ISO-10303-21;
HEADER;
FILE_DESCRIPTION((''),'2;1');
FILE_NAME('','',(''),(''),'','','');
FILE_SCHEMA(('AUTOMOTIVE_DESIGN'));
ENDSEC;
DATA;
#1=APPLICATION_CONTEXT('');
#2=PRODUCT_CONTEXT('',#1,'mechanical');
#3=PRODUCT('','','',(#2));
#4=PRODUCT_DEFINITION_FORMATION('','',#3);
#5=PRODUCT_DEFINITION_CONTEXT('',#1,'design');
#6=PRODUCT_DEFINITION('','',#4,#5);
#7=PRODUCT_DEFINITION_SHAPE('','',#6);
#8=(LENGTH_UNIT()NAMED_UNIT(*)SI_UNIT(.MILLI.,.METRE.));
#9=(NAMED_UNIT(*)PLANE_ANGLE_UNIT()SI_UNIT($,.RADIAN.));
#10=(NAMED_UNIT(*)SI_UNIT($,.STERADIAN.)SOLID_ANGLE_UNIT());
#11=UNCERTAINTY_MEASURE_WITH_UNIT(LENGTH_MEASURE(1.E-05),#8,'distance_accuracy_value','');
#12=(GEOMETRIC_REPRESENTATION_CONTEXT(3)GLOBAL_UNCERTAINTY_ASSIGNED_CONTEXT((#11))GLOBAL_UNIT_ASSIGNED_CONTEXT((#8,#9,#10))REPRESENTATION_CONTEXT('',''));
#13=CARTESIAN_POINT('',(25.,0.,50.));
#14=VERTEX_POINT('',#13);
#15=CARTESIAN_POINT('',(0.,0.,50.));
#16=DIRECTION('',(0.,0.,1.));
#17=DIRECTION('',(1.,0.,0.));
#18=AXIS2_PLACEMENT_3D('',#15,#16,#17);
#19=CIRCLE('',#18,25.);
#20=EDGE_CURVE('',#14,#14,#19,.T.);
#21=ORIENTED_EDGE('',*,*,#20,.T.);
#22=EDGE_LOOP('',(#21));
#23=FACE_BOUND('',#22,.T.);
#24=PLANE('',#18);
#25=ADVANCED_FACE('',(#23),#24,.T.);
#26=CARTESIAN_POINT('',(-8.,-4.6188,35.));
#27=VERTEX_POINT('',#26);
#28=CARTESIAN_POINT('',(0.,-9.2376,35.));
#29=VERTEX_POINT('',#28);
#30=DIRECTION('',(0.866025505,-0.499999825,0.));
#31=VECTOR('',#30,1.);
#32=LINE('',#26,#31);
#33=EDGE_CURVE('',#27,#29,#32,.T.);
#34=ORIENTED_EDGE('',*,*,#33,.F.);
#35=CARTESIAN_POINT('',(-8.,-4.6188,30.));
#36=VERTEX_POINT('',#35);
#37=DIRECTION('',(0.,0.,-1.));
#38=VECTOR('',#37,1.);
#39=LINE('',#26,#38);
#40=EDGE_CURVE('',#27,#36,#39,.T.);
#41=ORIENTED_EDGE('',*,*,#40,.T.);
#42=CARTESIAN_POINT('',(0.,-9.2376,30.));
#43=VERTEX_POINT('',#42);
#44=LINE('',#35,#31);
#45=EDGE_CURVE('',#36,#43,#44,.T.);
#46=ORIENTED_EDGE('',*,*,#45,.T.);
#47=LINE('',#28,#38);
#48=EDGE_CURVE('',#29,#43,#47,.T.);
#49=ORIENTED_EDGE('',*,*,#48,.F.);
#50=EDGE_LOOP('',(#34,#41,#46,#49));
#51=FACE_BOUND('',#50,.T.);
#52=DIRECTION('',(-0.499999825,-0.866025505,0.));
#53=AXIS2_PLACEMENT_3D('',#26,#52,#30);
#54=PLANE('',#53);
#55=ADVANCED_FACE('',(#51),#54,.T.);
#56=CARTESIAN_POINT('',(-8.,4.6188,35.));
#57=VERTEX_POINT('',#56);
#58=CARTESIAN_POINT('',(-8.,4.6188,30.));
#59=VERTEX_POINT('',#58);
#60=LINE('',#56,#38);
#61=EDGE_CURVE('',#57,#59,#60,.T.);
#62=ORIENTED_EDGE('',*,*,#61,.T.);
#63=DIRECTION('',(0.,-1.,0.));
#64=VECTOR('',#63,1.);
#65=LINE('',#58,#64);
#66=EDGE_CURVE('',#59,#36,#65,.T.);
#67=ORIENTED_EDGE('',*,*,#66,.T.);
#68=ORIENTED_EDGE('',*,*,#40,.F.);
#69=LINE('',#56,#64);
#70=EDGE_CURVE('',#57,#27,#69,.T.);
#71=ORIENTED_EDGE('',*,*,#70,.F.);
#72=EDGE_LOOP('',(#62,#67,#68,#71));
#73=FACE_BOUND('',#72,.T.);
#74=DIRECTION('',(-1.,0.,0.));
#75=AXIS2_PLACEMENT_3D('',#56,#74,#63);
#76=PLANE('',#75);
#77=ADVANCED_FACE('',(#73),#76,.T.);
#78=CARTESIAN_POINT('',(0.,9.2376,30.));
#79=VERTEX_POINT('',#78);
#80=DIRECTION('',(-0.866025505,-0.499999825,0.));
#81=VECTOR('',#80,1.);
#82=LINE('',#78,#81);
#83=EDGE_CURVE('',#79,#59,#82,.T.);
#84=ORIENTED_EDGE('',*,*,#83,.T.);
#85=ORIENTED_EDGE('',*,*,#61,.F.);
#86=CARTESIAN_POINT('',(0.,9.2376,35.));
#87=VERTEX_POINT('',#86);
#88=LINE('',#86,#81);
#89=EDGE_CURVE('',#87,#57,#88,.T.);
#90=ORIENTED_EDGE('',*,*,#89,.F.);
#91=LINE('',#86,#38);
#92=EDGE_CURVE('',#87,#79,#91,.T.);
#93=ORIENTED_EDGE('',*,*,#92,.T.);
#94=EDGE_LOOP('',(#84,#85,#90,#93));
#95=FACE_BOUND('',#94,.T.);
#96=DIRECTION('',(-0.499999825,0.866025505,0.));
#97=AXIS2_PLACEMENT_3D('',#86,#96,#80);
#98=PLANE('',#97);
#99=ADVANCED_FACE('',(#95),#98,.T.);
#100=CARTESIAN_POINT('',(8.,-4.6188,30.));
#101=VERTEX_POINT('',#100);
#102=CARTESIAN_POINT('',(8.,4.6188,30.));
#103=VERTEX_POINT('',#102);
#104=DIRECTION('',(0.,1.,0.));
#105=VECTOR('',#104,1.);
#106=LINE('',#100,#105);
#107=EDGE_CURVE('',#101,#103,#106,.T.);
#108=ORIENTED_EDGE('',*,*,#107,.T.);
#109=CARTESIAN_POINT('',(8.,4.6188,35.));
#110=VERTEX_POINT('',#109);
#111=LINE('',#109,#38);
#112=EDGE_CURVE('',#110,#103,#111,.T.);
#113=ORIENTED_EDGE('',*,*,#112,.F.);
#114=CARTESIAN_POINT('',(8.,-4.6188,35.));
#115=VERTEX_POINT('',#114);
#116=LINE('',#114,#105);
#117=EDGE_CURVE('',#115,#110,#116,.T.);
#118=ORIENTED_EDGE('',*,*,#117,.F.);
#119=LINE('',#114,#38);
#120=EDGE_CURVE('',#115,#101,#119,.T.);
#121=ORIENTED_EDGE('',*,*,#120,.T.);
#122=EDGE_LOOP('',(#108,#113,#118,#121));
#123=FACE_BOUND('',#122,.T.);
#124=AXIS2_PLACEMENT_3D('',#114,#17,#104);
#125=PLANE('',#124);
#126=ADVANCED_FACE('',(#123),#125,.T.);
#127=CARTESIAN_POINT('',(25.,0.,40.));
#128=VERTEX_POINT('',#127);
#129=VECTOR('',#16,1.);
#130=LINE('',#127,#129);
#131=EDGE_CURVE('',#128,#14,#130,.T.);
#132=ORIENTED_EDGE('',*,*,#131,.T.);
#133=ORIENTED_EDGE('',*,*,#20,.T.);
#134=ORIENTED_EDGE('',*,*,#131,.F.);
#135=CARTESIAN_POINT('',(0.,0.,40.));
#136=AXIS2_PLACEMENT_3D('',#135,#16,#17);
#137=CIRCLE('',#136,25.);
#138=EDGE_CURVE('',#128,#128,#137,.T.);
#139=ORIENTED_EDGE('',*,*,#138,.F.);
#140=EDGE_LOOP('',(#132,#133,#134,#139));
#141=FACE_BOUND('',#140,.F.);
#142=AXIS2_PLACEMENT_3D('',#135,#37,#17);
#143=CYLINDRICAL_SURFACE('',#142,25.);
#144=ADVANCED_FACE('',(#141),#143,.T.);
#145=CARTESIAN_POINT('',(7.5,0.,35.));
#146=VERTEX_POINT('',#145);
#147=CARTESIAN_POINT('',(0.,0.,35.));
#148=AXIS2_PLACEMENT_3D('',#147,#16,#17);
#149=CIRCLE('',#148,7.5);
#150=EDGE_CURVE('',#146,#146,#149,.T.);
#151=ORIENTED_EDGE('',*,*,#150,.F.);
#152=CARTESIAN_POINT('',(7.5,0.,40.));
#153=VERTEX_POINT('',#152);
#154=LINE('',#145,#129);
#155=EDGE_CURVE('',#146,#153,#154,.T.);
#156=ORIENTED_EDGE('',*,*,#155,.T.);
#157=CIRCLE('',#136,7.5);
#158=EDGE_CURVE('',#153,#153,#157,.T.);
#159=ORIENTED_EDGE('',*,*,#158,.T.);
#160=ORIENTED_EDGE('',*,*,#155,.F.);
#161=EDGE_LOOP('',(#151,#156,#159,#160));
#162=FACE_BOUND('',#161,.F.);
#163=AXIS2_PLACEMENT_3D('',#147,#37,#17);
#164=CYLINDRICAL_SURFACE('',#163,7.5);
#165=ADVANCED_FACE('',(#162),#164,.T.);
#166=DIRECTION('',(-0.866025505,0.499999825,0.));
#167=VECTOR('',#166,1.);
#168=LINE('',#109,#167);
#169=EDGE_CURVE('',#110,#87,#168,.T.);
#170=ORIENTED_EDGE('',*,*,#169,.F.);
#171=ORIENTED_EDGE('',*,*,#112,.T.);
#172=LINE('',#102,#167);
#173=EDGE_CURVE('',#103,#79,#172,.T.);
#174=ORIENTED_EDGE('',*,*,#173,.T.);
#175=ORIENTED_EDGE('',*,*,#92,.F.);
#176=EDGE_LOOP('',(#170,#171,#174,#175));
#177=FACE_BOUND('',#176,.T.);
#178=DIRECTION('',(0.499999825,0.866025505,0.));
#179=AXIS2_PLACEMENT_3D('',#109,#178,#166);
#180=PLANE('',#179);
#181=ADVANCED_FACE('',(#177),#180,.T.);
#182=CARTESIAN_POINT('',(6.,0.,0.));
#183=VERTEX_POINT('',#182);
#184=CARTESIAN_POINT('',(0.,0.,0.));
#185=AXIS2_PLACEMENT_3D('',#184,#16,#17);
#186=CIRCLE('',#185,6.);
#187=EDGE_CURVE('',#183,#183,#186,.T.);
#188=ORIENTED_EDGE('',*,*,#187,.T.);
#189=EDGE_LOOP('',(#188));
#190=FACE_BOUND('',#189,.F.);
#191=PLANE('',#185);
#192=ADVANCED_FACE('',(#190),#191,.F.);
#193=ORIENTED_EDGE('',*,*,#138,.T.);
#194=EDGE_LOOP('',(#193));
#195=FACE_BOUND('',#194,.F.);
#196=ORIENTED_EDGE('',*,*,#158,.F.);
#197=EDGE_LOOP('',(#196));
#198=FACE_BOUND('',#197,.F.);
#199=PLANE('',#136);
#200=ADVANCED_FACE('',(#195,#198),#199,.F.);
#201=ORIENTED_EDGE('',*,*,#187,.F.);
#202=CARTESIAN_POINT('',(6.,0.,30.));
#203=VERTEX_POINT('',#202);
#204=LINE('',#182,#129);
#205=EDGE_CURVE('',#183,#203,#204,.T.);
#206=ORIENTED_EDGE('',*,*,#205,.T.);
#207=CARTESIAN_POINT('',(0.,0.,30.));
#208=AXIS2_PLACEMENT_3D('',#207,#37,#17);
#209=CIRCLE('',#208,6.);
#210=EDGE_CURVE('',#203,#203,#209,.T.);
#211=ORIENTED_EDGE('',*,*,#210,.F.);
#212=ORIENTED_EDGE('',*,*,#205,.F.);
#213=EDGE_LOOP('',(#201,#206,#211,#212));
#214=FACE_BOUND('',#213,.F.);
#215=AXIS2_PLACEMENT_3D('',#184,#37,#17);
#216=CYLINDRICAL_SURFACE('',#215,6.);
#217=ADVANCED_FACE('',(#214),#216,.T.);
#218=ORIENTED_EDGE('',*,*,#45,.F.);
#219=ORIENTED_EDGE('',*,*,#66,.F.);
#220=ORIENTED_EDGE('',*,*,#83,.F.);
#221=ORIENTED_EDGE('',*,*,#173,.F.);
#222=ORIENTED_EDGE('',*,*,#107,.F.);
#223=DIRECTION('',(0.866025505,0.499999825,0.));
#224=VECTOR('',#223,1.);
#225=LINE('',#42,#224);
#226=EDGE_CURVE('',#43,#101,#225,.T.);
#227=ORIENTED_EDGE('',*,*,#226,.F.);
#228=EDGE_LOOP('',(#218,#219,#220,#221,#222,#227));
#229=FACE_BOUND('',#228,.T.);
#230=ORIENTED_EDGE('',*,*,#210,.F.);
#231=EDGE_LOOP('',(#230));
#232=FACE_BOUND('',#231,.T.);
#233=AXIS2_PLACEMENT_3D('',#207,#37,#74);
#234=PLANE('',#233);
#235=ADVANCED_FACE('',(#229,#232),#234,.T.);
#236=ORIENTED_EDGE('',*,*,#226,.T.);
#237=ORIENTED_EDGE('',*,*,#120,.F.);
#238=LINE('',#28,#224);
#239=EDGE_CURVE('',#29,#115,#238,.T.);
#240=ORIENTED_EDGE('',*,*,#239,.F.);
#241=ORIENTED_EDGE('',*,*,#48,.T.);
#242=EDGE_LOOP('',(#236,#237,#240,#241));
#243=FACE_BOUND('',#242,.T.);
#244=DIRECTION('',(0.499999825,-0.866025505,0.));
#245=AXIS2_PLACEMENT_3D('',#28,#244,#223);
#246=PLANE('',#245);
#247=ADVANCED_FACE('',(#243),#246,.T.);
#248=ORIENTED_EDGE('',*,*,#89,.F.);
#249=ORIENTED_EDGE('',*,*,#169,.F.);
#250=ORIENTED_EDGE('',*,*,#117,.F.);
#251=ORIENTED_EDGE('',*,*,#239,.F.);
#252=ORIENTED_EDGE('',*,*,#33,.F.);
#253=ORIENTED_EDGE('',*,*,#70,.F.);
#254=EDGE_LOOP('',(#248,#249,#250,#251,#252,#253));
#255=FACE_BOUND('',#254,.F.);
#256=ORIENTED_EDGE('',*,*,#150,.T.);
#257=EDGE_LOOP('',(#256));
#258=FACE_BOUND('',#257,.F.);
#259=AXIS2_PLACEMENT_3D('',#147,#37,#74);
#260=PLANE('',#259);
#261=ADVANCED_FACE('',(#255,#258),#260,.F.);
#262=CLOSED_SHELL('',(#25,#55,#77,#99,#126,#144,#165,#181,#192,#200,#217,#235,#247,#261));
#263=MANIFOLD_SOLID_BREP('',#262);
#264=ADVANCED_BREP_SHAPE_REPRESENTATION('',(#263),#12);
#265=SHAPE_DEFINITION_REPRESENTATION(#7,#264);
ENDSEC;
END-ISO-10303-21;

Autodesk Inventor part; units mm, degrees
ref_plane "YZ Plane" through (0, 0, 0) normal (1, 0, 0) x (0, 1, 0)
ref_plane "XZ Plane" through (0, 0, 0) normal (0, 1, 0) x (-1, 0, 0)
ref_plane "XY Plane" through (0, 0, 0) normal (0, 0, 1) x (1, 0, 0)
sketch "Sketch1" plane through (0, 0, 0) normal (0, 0, 1) x (1, 0, 0)
  circle A0 centre (0, 0) radius 6
  dimension "d0" = 12
extrude "Extrusion1" add sketch "Sketch1" along normal blind 35
thread "Thread1" size "M12x1.75" class "6g" standard "ANSI Metric M Profile" full length
sketch "Sketch2" plane through (0, 0, 35) normal (0, 0, 1) x (1, 0, 0)
  circle A0 centre (0, 0) radius 7.5
  dimension "d5" = 15
extrude "Extrusion2" add sketch "Sketch2" along normal blind 5
sketch "Sketch3" plane through (0, 0, 40) normal (0, 0, 1) x (1, 0, 0)
  circle A0 centre (0, 0) radius 25
  dimension "d8" = 50
extrude "Extrusion3" add sketch "Sketch3" along normal blind 10
sketch "Sketch4" plane through (0, 0, 35) normal (0, 0, -1) x (-1, 0, 0)
  line L0 (0, 6.9282) -> (6, 3.4641)
  line L1 (6, 3.4641) -> (6, -3.4641)
  line L2 (6, -3.4641) -> (0, -6.9282)
  line L3 (0, -6.9282) -> (-6, -3.4641)
  line L4 (-6, -3.4641) -> (-6, 3.4641)
  line L5 (-6, 3.4641) -> (0, 6.9282)
  line L6 (0, 9.2376) -> (8, 4.6188)
  line L7 (8, 4.6188) -> (8, -4.6188)
  line L8 (8, -4.6188) -> (0, -9.2376)
  line L9 (0, -9.2376) -> (-8, -4.6188)
  line L10 (-8, -4.6188) -> (-8, 4.6188)
  line L11 (-8, 4.6188) -> (0, 9.2376)
  point P0 (0, 0)
  point P1 (0, 0)
  point P2 (0, 0)
  dimension "d11" = 6
  dimension "d12" = 8
extrude "Extrusion4" add sketch "Sketch4" along normal blind 5 contours L0 L1 L2 L3 L4 L5 | L6 L7 L8 L9 L10 L11
properties part number "ChanBangTai"
